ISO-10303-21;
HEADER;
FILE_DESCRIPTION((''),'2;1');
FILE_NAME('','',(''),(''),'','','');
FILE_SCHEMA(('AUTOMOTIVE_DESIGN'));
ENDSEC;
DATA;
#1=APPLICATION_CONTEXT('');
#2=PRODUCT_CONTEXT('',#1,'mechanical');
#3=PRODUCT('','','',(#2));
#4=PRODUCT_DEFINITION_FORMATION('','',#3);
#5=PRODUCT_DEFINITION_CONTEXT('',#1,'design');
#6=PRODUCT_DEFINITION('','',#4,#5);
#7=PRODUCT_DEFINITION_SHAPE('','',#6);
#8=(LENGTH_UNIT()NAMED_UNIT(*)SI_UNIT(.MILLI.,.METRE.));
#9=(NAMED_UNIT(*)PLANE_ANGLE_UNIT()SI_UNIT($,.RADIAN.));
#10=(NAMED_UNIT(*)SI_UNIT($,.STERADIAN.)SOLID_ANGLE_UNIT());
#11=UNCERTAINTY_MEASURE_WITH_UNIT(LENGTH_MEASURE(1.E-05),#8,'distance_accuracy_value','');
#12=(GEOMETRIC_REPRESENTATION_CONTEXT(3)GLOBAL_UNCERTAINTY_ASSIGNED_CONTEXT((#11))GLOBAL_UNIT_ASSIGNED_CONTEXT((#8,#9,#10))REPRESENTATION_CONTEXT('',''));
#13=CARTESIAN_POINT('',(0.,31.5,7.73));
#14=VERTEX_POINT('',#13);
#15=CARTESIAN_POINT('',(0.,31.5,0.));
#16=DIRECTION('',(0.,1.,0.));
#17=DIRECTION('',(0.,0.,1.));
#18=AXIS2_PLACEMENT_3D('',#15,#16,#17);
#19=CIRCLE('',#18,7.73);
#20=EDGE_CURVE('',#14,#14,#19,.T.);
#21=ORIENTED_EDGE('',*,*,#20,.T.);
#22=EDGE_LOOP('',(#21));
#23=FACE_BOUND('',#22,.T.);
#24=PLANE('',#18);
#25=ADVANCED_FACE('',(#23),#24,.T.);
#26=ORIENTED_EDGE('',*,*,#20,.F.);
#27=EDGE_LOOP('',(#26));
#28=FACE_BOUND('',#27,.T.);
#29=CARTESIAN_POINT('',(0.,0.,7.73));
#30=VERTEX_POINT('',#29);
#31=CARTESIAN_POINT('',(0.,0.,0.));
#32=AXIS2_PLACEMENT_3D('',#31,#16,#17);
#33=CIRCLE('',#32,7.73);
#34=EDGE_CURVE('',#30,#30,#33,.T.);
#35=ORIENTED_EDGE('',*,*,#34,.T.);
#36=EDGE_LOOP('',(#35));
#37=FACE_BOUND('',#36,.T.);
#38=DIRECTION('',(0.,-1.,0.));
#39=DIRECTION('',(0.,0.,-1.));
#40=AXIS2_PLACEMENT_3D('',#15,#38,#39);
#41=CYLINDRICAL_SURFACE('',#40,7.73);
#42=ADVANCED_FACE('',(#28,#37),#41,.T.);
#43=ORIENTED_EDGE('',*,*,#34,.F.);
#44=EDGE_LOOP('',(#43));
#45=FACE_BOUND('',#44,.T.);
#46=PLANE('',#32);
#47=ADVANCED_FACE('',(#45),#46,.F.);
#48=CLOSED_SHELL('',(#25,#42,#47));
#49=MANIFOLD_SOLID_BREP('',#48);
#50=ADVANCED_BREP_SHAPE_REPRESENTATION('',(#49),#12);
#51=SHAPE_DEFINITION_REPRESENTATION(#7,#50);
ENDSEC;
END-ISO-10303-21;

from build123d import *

# Parameters (mm, degrees)
SKETCH1_R           = 7.73
BOSS_EXTRUDE1_DEPTH = 31.5


with BuildPart() as part:
    # Sketch1 → Boss-Extrude1 (new body)
    with BuildSketch(Plane(origin=(0, 0, 0), x_dir=(1, 0, 0), z_dir=(0, 1, 0))):
        Circle(SKETCH1_R)
    extrude(amount=BOSS_EXTRUDE1_DEPTH)


solid = part.part
